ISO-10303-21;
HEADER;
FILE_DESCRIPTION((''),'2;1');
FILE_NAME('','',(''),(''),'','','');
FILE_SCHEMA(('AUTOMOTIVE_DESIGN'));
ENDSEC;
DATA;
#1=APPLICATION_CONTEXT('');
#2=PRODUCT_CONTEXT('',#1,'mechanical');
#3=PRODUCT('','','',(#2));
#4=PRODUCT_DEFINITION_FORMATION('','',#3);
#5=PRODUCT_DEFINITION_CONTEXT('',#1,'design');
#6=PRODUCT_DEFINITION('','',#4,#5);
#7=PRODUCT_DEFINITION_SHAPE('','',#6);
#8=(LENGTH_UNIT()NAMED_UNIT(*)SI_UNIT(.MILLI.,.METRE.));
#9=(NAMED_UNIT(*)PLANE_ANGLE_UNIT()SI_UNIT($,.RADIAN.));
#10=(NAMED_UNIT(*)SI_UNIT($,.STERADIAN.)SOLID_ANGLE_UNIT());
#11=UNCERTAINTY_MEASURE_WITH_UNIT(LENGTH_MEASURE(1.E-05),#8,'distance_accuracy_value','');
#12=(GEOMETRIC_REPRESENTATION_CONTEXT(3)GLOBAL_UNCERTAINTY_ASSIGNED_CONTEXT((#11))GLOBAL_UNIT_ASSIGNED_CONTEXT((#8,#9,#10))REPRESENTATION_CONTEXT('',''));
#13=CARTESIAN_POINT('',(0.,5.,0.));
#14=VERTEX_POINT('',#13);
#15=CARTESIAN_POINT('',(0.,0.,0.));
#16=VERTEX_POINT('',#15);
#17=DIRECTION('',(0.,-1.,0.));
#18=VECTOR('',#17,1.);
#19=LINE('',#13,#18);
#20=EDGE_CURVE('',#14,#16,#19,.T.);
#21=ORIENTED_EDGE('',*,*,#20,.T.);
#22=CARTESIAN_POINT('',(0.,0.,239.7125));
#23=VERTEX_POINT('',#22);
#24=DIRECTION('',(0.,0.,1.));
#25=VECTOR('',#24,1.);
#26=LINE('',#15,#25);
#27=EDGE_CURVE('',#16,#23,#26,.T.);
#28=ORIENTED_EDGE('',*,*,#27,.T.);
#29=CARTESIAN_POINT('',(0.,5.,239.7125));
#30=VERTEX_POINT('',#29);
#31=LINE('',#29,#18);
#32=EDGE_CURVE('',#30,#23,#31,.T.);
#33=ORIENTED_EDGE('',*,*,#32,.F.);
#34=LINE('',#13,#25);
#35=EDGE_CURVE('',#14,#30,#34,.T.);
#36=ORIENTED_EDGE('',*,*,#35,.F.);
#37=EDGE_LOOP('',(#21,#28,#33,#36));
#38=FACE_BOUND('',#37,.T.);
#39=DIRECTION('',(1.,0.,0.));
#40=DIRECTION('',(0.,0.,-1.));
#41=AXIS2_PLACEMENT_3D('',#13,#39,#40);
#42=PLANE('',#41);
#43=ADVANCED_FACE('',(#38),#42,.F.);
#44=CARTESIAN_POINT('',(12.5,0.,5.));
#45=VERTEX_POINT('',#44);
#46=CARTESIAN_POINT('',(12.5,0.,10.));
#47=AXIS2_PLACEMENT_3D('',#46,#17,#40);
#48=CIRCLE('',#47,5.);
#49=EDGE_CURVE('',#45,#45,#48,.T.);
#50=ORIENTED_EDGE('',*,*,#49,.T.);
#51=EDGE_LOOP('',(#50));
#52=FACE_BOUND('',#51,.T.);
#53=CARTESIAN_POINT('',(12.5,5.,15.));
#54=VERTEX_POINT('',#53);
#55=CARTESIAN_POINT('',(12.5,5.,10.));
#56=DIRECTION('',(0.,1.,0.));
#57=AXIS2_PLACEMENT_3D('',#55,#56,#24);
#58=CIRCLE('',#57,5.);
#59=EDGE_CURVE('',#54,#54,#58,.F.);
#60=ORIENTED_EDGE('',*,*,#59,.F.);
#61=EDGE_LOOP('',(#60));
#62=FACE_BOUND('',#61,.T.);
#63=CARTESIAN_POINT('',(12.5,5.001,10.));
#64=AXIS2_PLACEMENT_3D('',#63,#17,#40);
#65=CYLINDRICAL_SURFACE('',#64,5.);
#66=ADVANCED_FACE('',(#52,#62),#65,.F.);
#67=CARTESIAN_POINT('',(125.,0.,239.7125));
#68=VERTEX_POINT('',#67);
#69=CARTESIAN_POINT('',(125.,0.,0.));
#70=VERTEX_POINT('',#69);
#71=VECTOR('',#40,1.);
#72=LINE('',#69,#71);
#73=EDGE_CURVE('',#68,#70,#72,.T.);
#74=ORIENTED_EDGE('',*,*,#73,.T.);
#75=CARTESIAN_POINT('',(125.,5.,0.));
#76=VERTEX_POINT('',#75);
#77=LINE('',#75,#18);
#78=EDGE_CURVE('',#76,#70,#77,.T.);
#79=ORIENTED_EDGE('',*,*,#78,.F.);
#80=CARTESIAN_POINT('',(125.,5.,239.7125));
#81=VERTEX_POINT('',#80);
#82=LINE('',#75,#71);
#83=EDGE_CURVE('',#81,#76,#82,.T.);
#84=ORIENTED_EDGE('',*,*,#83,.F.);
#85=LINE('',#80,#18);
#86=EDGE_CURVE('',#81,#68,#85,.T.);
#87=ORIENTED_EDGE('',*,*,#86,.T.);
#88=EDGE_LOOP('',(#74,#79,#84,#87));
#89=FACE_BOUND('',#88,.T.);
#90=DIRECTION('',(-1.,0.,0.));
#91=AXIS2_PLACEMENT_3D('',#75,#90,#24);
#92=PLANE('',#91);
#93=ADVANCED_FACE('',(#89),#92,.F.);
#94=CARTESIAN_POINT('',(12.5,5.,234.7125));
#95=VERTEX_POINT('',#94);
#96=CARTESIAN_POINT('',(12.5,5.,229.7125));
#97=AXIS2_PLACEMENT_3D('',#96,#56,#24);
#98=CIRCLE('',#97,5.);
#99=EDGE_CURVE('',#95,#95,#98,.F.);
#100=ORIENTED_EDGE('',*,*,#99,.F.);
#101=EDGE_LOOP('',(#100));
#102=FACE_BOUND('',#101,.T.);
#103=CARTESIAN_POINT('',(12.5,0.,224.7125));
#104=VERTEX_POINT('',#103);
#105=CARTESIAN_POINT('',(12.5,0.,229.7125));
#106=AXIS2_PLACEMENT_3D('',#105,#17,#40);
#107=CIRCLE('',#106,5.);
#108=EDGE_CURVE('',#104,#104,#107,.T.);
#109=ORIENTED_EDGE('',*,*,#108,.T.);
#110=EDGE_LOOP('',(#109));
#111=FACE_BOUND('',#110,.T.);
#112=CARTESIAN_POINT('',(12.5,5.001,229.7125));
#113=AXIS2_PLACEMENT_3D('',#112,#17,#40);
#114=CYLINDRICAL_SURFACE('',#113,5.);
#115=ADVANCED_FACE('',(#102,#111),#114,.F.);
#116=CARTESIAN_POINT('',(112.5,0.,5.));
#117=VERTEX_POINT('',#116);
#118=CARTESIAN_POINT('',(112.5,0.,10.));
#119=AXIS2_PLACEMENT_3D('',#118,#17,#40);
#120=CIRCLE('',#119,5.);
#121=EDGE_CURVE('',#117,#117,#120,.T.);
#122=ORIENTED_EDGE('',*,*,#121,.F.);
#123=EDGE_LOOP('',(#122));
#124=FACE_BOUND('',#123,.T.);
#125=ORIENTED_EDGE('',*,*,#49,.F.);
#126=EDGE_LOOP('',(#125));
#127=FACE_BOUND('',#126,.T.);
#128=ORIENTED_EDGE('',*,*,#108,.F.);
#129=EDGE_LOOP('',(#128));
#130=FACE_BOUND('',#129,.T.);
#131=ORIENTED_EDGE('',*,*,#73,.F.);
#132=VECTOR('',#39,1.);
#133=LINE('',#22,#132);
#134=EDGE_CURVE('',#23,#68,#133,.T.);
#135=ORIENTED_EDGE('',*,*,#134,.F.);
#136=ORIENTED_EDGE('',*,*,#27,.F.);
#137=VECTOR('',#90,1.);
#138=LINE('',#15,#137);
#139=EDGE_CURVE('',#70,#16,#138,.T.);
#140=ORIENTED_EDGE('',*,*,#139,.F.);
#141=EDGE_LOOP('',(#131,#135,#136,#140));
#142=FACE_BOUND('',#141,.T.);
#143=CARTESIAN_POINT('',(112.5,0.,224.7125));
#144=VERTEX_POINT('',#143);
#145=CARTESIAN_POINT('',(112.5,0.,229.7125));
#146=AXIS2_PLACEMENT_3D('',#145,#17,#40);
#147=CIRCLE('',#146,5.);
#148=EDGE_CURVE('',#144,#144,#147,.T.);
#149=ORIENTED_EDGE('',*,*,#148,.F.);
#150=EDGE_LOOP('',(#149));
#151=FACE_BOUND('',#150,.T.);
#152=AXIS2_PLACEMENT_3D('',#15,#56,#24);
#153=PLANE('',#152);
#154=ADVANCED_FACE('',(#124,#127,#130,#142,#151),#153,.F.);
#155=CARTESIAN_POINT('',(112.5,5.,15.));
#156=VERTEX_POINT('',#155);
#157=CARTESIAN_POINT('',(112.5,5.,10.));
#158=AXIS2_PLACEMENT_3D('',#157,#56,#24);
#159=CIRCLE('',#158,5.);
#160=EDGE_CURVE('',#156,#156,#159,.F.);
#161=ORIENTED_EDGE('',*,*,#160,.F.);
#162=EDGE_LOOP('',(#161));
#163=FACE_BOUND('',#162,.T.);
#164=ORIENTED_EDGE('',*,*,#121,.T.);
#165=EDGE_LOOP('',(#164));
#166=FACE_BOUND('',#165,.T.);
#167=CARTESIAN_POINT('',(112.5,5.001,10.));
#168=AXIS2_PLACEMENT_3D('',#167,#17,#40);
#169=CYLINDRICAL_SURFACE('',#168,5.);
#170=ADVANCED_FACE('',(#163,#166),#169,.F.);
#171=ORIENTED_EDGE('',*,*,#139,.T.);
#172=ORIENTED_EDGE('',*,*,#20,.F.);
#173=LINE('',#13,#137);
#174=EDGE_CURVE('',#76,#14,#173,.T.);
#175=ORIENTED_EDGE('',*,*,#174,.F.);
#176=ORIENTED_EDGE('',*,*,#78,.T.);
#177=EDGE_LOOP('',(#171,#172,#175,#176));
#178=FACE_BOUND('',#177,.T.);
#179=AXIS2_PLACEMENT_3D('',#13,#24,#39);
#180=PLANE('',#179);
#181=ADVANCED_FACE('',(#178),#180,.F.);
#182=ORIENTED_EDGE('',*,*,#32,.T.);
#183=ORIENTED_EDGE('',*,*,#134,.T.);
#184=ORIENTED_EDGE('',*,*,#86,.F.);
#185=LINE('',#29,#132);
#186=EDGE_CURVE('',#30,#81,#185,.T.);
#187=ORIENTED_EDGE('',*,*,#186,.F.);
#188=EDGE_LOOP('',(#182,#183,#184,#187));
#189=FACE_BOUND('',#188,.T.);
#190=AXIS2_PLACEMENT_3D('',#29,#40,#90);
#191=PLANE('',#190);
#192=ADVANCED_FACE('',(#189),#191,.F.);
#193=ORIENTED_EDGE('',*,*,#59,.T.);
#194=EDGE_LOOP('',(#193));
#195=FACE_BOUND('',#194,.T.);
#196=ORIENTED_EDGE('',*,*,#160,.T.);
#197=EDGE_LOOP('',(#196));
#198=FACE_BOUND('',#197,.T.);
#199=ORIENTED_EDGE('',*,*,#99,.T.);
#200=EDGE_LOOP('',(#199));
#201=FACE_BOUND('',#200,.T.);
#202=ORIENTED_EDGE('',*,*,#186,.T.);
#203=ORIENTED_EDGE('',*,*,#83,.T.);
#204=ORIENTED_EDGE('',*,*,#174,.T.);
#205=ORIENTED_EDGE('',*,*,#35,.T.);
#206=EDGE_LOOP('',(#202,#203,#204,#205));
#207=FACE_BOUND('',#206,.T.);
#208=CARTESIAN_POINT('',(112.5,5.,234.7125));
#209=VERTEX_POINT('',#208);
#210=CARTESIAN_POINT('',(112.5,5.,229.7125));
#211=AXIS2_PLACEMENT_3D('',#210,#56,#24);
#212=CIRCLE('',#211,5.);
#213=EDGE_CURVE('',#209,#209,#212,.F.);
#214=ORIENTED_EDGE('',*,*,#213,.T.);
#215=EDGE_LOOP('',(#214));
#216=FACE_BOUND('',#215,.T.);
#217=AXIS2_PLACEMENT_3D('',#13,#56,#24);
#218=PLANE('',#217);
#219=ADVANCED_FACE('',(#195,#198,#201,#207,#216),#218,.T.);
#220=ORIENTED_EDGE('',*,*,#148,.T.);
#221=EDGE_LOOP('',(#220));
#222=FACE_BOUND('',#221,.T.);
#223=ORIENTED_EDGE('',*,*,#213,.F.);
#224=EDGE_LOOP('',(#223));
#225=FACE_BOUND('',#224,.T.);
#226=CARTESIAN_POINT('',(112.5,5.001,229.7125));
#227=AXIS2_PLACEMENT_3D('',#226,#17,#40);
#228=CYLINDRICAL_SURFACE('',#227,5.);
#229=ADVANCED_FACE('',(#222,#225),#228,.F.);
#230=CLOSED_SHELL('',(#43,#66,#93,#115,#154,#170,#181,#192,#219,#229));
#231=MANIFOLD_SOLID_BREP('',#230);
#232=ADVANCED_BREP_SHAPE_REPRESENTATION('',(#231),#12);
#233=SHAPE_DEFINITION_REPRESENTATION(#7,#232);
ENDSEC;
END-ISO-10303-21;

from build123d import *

# Parameters (mm, degrees)
SKETCH1_W           = 125
SKETCH1_H           = 239.7125
BOSS_EXTRUDE1_DEPTH = 5
CUT_EXTRUDE1_REACH  = 272.392
SKETCH2_R           = 5


with BuildPart() as part:
    # Sketch1 → Boss-Extrude1 (new body)
    with BuildSketch(Plane(origin=(0, 0, 0), x_dir=(1, 0, 0), z_dir=(0, 1, 0))):
        with Locations((62.5, -119.85625)):
            Rectangle(SKETCH1_W, SKETCH1_H)
    extrude(amount=BOSS_EXTRUDE1_DEPTH)

    # Sketch2 → Cut-Extrude1 (cut, up to next)
    with BuildSketch(Plane.XZ, mode=Mode.PRIVATE) as cut_extrude1_sk1:
        with Locations(Location((12.5, 229.7125, 0), (0, 0, 270))):
            Circle(SKETCH2_R)
    cut_extrude1_tool1 = extrude(cut_extrude1_sk1.sketch, amount=-CUT_EXTRUDE1_REACH, mode=Mode.PRIVATE) & part.part
    # Sketch2 → Cut-Extrude1 (cut, up to next)
    with BuildSketch(Plane.XZ, mode=Mode.PRIVATE) as cut_extrude1_sk2:
        with Locations(Location((112.5, 229.7125, 0), (0, 0, 270))):
            Circle(SKETCH2_R)
    cut_extrude1_tool2 = extrude(cut_extrude1_sk2.sketch, amount=-CUT_EXTRUDE1_REACH, mode=Mode.PRIVATE) & part.part
    # Sketch2 → Cut-Extrude1 (cut, up to next)
    with BuildSketch(Plane.XZ, mode=Mode.PRIVATE) as cut_extrude1_sk3:
        with Locations(Location((12.5, 10, 0), (0, 0, 270))):
            Circle(SKETCH2_R)
    cut_extrude1_tool3 = extrude(cut_extrude1_sk3.sketch, amount=-CUT_EXTRUDE1_REACH, mode=Mode.PRIVATE) & part.part
    # Sketch2 → Cut-Extrude1 (cut, up to next)
    with BuildSketch(Plane.XZ, mode=Mode.PRIVATE) as cut_extrude1_sk4:
        with Locations(Location((112.5, 10, 0), (0, 0, 270))):
            Circle(SKETCH2_R)
    cut_extrude1_tool4 = extrude(cut_extrude1_sk4.sketch, amount=-CUT_EXTRUDE1_REACH, mode=Mode.PRIVATE) & part.part
    add(cut_extrude1_tool1.solids().sort_by_distance((12.5, 0, 229.7125))[0], mode=Mode.SUBTRACT)
    add(cut_extrude1_tool2.solids().sort_by_distance((112.5, 0, 229.7125))[0], mode=Mode.SUBTRACT)
    add(cut_extrude1_tool3.solids().sort_by_distance((12.5, 0, 10))[0], mode=Mode.SUBTRACT)
    add(cut_extrude1_tool4.solids().sort_by_distance((112.5, 0, 10))[0], mode=Mode.SUBTRACT)


solid = part.part
